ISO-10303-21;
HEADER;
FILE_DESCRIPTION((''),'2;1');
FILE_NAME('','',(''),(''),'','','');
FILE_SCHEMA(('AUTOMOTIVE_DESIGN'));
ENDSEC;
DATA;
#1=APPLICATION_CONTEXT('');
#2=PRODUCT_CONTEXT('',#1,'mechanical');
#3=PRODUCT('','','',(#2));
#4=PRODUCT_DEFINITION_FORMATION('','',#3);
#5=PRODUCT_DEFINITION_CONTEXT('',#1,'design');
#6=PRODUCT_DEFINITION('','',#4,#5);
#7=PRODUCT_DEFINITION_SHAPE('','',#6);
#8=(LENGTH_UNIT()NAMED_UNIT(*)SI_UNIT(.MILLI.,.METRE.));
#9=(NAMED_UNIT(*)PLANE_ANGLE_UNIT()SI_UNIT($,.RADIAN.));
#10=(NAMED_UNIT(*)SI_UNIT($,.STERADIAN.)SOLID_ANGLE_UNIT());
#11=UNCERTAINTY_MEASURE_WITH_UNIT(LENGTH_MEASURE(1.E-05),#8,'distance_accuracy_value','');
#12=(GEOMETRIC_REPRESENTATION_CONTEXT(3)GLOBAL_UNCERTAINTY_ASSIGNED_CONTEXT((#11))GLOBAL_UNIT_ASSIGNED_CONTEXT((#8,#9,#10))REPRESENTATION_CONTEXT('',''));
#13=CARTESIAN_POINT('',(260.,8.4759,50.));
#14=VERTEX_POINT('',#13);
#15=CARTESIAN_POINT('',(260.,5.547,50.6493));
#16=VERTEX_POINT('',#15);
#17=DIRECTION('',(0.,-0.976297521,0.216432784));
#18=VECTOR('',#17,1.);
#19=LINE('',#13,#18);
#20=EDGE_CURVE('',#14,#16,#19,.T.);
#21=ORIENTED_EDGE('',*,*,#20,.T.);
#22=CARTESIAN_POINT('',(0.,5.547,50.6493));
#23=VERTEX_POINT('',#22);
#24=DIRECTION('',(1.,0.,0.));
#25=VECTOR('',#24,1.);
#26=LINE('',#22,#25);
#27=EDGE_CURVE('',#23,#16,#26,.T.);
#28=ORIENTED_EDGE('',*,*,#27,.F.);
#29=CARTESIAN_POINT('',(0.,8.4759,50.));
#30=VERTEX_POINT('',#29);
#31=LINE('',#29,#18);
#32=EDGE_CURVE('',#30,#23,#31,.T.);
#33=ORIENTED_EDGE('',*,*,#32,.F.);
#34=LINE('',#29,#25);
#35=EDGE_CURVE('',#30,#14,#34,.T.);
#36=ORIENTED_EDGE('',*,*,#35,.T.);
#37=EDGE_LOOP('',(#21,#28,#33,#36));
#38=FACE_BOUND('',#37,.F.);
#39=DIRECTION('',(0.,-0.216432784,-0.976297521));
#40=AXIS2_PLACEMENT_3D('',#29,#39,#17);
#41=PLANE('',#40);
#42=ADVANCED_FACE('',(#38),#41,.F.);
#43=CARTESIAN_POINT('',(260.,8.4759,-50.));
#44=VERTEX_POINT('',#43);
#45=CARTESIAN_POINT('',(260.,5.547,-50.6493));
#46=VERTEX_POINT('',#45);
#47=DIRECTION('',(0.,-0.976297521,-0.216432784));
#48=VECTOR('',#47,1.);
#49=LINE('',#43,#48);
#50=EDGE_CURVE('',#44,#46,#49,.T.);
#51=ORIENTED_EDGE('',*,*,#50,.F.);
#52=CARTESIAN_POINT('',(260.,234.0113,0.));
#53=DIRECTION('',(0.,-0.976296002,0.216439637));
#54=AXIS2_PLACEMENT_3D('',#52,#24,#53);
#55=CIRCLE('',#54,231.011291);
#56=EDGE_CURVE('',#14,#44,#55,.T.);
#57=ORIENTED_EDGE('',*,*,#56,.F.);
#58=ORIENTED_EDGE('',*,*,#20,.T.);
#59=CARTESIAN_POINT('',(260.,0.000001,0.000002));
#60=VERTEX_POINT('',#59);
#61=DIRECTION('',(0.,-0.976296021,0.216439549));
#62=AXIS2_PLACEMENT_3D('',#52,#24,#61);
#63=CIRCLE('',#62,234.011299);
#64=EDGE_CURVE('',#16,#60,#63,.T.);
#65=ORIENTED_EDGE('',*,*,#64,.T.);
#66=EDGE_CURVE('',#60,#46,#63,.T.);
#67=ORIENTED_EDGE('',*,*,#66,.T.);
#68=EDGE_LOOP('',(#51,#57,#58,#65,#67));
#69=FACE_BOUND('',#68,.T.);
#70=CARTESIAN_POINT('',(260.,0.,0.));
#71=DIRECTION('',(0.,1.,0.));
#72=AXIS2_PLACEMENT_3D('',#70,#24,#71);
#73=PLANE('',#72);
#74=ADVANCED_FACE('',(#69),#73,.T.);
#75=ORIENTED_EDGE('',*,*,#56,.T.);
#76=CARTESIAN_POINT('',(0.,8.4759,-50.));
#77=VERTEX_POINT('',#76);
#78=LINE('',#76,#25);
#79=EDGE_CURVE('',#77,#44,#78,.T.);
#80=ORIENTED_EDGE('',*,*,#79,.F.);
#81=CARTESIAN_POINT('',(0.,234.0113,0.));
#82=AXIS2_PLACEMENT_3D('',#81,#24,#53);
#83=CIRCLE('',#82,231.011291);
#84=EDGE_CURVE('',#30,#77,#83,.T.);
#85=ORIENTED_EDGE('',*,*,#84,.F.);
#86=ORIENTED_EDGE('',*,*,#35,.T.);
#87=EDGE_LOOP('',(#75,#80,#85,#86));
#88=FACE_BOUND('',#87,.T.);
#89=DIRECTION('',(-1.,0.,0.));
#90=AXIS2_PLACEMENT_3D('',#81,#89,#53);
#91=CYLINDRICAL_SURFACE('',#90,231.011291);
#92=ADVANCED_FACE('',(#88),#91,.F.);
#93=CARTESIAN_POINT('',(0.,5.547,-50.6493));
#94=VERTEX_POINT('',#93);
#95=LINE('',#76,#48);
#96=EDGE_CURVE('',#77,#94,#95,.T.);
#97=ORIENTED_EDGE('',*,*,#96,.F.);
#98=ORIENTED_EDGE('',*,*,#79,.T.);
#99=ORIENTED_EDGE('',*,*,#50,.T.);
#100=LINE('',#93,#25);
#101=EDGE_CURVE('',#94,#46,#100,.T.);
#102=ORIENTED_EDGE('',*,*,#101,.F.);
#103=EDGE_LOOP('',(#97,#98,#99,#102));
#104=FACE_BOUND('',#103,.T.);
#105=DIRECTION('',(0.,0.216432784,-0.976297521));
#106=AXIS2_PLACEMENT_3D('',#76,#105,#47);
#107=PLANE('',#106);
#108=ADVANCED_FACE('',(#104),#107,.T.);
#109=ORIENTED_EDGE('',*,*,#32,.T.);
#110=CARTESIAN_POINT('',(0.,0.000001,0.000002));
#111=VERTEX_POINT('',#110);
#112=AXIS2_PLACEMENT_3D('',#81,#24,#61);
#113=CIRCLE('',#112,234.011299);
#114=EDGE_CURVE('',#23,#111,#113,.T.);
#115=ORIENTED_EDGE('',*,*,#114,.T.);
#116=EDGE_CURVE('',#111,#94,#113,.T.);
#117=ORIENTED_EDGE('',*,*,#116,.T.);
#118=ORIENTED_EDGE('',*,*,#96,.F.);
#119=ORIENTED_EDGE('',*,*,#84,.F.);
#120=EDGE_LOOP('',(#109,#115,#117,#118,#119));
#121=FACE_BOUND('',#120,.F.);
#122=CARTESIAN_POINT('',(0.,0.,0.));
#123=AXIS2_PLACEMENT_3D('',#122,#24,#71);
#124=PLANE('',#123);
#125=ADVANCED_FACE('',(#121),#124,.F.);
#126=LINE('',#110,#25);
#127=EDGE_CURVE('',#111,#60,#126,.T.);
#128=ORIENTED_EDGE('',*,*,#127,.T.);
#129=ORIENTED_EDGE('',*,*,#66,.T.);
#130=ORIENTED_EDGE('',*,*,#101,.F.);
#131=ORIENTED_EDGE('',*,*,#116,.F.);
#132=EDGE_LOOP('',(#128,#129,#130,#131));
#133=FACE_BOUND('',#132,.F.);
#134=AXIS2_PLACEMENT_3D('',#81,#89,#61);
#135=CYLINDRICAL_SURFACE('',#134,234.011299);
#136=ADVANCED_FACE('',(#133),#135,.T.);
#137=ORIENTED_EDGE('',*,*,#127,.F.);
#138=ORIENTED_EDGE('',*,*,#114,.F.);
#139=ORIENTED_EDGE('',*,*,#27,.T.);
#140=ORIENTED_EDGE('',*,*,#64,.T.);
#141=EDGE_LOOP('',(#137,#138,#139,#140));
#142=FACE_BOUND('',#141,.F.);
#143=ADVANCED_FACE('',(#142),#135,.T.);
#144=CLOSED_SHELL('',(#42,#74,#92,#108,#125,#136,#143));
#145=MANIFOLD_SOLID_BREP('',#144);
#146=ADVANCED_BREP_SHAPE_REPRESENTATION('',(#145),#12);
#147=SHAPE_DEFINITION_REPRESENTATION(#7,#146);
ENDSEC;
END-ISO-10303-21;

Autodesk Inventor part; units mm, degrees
ref_plane "YZ Plane" through (0, 0, 0) normal (1, 0, 0) x (0, 1, 0)
ref_plane "XZ Plane" through (0, 0, 0) normal (0, 1, 0) x (-1, 0, 0)
ref_plane "XY Plane" through (0, 0, 0) normal (0, 0, 1) x (1, 0, 0)
sketch "スケッチ1" plane through (0, 0, 0) normal (1, 0, 0) x (0, 1, 0)
  arc A0 (8.4759, 50) -> (8.4759, -50) centre (234.0113, 0) ccw
  arc A1 (5.547, 50.6493) -> (5.547, -50.6493) centre (234.0113, 0) ccw
  line L0 (8.4759, 50) -> (5.547, 50.6493)
  line L1 (8.4759, -50) -> (5.547, -50.6493)
  line L2 (0, -70.909) -> (0, 70.909) projected
  point P0 (0, 0)
  point P1 (0, 0)
  dimension "d0" = 3
  dimension "d1" = 100
  dimension "d2" = 25
extrude "押し出し1" add sketch "スケッチ1" along normal blind 260
properties part number "element_4" material "CFRP"
